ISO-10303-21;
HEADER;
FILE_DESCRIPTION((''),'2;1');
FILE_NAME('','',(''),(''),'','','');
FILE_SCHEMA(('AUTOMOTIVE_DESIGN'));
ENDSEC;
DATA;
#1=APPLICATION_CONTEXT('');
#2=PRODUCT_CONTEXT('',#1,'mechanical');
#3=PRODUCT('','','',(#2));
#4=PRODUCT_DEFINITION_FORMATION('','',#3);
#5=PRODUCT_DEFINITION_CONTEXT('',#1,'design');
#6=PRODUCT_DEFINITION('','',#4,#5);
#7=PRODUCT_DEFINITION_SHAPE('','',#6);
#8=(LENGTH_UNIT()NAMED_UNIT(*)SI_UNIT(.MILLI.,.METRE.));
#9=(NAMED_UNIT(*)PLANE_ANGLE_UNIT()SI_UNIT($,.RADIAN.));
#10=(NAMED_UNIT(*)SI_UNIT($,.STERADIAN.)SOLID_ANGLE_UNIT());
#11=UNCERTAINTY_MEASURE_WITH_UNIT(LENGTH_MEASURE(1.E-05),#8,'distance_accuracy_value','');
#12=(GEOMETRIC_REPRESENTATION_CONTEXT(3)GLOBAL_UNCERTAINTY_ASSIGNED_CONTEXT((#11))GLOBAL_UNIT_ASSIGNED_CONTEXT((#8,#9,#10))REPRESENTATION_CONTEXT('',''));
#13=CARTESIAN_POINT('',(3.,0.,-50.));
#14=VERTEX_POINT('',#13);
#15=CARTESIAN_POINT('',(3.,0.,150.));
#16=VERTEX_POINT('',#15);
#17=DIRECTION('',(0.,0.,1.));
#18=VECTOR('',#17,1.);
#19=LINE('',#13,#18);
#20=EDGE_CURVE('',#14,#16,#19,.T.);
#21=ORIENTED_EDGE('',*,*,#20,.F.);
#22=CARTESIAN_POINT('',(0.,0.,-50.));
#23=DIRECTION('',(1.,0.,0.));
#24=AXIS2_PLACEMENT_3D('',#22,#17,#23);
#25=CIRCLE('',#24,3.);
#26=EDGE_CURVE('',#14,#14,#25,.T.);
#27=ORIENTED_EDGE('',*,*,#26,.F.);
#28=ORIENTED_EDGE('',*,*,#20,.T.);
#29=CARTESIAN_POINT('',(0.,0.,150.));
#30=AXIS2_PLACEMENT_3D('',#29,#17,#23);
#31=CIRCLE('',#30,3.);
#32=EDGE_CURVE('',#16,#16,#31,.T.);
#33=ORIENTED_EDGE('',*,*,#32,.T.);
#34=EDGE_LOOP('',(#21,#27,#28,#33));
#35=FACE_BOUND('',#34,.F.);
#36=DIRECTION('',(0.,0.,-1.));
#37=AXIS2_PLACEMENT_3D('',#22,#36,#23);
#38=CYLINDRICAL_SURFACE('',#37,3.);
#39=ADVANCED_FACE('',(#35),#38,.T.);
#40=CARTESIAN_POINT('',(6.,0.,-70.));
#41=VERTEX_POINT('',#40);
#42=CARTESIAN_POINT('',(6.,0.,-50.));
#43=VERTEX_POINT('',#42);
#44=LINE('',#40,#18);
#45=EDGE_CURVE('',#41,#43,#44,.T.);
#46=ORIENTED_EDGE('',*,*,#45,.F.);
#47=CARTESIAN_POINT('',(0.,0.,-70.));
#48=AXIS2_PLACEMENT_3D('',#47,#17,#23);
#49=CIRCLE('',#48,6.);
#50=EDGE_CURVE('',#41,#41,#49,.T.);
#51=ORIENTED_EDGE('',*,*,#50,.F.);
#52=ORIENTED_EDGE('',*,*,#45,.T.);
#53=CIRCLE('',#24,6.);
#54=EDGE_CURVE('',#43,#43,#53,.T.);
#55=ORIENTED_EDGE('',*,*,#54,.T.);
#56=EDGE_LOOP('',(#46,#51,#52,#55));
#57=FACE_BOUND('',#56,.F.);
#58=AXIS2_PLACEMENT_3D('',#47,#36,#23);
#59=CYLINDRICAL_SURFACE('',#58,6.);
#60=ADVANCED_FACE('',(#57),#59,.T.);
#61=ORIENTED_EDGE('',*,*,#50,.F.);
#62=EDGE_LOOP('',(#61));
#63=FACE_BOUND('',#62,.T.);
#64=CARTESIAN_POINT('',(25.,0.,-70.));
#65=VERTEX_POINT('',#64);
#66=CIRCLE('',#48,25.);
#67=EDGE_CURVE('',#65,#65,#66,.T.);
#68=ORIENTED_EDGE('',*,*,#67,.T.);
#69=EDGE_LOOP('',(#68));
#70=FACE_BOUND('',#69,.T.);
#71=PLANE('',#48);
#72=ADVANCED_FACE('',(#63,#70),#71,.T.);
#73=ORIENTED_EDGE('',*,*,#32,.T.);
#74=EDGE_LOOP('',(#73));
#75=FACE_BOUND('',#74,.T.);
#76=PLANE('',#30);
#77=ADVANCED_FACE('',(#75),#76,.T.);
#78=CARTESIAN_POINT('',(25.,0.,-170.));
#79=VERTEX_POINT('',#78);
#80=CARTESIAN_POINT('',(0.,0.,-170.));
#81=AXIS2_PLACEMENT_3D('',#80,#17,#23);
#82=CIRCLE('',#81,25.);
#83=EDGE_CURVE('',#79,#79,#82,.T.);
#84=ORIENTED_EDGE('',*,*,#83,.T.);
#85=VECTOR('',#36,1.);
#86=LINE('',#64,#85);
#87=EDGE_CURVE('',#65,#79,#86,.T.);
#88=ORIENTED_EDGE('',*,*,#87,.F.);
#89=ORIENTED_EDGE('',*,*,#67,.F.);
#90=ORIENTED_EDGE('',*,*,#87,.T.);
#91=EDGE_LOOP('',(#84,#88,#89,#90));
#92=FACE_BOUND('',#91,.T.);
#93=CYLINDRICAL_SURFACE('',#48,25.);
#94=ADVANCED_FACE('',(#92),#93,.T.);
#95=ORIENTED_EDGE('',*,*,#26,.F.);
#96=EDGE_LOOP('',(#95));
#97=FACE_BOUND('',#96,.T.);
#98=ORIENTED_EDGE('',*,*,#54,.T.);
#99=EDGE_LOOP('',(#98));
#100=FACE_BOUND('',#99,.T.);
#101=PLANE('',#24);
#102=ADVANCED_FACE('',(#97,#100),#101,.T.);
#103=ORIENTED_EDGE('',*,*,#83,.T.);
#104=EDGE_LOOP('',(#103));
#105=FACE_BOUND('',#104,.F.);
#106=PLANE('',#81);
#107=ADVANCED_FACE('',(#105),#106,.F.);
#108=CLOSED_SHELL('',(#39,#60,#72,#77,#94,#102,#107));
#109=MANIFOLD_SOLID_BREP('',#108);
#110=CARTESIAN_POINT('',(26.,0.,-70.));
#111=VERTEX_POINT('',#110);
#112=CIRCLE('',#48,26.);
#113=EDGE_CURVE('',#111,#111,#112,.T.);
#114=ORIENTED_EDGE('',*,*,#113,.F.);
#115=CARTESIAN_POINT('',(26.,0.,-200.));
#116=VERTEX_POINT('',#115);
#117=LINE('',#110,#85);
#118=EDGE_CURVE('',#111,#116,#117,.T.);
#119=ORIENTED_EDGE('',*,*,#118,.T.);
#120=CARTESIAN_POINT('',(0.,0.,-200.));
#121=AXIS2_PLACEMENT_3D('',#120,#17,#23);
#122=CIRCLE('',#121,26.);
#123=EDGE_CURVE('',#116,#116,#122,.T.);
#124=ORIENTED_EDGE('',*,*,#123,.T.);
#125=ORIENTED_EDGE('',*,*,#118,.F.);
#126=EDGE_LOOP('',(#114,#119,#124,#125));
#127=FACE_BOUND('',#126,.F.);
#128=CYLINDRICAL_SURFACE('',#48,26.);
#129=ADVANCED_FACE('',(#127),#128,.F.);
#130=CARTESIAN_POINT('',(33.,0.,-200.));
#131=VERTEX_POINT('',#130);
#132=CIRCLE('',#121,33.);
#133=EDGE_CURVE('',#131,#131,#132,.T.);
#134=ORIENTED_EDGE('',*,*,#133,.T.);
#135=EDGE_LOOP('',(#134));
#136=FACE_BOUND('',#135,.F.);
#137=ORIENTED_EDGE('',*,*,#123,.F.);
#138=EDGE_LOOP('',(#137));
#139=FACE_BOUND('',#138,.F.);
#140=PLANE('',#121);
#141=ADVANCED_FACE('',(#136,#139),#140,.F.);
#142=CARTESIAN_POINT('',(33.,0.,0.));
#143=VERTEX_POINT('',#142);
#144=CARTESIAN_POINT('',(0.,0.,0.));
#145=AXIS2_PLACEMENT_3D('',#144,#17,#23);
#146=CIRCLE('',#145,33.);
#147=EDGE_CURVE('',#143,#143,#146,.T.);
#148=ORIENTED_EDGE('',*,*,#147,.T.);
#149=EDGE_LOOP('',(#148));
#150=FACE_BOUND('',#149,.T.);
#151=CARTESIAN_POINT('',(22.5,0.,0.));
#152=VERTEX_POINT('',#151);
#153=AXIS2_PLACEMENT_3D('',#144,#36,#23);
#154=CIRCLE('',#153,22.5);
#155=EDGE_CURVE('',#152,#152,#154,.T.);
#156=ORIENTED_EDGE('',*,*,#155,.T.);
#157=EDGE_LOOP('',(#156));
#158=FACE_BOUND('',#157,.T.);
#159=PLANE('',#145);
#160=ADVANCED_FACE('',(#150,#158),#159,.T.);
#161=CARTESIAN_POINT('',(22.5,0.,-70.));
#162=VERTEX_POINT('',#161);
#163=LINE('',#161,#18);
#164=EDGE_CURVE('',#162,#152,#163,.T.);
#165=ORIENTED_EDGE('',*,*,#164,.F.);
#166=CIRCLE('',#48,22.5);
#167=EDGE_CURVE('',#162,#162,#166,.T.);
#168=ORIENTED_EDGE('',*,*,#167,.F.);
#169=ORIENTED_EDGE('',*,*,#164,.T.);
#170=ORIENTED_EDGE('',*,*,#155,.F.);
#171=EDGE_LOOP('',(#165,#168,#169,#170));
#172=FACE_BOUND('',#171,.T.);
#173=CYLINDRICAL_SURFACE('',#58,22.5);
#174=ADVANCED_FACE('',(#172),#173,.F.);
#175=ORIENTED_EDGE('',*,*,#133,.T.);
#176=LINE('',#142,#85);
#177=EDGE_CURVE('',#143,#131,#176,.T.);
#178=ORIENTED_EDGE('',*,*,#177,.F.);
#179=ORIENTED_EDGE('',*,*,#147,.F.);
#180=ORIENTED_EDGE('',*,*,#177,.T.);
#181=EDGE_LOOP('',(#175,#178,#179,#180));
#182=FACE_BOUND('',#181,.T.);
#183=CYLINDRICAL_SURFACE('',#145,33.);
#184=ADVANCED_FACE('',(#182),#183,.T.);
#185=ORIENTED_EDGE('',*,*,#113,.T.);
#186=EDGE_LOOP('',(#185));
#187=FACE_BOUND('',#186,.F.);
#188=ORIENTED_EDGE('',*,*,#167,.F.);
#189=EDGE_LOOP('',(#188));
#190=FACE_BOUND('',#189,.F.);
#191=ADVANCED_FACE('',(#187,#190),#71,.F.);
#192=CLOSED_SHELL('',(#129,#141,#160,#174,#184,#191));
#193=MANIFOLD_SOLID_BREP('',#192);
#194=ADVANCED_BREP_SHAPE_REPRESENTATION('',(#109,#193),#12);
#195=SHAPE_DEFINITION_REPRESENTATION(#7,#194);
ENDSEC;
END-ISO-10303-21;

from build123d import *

# Parameters (mm, degrees)
F0_R      = 33
F1_DEPTH  = 200
F3_R      = 22.5
F4_DEPTH  = 70.001
F5_R      = 26
F6_DEPTH  = 130.001
F7_R      = 25
F8_DEPTH  = 100
F9_R      = 6
F10_DEPTH = 20
F11_R     = 3
F12_DEPTH = 200


with BuildPart() as f1:
    # F0 (on Top) → F1 (new body)
    with BuildSketch(Plane.XY):
        Circle(F0_R)
    extrude(amount=-F1_DEPTH)

    # F3 (on offset) → F4 (cut, through all)
    with BuildSketch(Plane.XY.offset(-70)):
        Circle(F3_R)
    extrude(amount=F4_DEPTH, mode=Mode.SUBTRACT)

    # F5 (on offset) → F6 (cut, through all)
    with BuildSketch(Plane.XY.offset(-70)):
        Circle(F5_R)
    extrude(amount=-F6_DEPTH, mode=Mode.SUBTRACT)


with BuildPart() as f8:
    # F7 (on offset) → F8 (new body)
    with BuildSketch(Plane.XY.offset(-70)):
        Circle(F7_R)
    extrude(amount=-F8_DEPTH)

    # F9 (on face) → F10 (join)
    with BuildSketch(Plane.XY.offset(-70)):
        Circle(F9_R)
    extrude(amount=F10_DEPTH)

    # F11 (on face) → F12 (join)
    with BuildSketch(Plane.XY.offset(-50)):
        Circle(F11_R)
    extrude(amount=F12_DEPTH)


solid = Compound([f1.part, f8.part])
